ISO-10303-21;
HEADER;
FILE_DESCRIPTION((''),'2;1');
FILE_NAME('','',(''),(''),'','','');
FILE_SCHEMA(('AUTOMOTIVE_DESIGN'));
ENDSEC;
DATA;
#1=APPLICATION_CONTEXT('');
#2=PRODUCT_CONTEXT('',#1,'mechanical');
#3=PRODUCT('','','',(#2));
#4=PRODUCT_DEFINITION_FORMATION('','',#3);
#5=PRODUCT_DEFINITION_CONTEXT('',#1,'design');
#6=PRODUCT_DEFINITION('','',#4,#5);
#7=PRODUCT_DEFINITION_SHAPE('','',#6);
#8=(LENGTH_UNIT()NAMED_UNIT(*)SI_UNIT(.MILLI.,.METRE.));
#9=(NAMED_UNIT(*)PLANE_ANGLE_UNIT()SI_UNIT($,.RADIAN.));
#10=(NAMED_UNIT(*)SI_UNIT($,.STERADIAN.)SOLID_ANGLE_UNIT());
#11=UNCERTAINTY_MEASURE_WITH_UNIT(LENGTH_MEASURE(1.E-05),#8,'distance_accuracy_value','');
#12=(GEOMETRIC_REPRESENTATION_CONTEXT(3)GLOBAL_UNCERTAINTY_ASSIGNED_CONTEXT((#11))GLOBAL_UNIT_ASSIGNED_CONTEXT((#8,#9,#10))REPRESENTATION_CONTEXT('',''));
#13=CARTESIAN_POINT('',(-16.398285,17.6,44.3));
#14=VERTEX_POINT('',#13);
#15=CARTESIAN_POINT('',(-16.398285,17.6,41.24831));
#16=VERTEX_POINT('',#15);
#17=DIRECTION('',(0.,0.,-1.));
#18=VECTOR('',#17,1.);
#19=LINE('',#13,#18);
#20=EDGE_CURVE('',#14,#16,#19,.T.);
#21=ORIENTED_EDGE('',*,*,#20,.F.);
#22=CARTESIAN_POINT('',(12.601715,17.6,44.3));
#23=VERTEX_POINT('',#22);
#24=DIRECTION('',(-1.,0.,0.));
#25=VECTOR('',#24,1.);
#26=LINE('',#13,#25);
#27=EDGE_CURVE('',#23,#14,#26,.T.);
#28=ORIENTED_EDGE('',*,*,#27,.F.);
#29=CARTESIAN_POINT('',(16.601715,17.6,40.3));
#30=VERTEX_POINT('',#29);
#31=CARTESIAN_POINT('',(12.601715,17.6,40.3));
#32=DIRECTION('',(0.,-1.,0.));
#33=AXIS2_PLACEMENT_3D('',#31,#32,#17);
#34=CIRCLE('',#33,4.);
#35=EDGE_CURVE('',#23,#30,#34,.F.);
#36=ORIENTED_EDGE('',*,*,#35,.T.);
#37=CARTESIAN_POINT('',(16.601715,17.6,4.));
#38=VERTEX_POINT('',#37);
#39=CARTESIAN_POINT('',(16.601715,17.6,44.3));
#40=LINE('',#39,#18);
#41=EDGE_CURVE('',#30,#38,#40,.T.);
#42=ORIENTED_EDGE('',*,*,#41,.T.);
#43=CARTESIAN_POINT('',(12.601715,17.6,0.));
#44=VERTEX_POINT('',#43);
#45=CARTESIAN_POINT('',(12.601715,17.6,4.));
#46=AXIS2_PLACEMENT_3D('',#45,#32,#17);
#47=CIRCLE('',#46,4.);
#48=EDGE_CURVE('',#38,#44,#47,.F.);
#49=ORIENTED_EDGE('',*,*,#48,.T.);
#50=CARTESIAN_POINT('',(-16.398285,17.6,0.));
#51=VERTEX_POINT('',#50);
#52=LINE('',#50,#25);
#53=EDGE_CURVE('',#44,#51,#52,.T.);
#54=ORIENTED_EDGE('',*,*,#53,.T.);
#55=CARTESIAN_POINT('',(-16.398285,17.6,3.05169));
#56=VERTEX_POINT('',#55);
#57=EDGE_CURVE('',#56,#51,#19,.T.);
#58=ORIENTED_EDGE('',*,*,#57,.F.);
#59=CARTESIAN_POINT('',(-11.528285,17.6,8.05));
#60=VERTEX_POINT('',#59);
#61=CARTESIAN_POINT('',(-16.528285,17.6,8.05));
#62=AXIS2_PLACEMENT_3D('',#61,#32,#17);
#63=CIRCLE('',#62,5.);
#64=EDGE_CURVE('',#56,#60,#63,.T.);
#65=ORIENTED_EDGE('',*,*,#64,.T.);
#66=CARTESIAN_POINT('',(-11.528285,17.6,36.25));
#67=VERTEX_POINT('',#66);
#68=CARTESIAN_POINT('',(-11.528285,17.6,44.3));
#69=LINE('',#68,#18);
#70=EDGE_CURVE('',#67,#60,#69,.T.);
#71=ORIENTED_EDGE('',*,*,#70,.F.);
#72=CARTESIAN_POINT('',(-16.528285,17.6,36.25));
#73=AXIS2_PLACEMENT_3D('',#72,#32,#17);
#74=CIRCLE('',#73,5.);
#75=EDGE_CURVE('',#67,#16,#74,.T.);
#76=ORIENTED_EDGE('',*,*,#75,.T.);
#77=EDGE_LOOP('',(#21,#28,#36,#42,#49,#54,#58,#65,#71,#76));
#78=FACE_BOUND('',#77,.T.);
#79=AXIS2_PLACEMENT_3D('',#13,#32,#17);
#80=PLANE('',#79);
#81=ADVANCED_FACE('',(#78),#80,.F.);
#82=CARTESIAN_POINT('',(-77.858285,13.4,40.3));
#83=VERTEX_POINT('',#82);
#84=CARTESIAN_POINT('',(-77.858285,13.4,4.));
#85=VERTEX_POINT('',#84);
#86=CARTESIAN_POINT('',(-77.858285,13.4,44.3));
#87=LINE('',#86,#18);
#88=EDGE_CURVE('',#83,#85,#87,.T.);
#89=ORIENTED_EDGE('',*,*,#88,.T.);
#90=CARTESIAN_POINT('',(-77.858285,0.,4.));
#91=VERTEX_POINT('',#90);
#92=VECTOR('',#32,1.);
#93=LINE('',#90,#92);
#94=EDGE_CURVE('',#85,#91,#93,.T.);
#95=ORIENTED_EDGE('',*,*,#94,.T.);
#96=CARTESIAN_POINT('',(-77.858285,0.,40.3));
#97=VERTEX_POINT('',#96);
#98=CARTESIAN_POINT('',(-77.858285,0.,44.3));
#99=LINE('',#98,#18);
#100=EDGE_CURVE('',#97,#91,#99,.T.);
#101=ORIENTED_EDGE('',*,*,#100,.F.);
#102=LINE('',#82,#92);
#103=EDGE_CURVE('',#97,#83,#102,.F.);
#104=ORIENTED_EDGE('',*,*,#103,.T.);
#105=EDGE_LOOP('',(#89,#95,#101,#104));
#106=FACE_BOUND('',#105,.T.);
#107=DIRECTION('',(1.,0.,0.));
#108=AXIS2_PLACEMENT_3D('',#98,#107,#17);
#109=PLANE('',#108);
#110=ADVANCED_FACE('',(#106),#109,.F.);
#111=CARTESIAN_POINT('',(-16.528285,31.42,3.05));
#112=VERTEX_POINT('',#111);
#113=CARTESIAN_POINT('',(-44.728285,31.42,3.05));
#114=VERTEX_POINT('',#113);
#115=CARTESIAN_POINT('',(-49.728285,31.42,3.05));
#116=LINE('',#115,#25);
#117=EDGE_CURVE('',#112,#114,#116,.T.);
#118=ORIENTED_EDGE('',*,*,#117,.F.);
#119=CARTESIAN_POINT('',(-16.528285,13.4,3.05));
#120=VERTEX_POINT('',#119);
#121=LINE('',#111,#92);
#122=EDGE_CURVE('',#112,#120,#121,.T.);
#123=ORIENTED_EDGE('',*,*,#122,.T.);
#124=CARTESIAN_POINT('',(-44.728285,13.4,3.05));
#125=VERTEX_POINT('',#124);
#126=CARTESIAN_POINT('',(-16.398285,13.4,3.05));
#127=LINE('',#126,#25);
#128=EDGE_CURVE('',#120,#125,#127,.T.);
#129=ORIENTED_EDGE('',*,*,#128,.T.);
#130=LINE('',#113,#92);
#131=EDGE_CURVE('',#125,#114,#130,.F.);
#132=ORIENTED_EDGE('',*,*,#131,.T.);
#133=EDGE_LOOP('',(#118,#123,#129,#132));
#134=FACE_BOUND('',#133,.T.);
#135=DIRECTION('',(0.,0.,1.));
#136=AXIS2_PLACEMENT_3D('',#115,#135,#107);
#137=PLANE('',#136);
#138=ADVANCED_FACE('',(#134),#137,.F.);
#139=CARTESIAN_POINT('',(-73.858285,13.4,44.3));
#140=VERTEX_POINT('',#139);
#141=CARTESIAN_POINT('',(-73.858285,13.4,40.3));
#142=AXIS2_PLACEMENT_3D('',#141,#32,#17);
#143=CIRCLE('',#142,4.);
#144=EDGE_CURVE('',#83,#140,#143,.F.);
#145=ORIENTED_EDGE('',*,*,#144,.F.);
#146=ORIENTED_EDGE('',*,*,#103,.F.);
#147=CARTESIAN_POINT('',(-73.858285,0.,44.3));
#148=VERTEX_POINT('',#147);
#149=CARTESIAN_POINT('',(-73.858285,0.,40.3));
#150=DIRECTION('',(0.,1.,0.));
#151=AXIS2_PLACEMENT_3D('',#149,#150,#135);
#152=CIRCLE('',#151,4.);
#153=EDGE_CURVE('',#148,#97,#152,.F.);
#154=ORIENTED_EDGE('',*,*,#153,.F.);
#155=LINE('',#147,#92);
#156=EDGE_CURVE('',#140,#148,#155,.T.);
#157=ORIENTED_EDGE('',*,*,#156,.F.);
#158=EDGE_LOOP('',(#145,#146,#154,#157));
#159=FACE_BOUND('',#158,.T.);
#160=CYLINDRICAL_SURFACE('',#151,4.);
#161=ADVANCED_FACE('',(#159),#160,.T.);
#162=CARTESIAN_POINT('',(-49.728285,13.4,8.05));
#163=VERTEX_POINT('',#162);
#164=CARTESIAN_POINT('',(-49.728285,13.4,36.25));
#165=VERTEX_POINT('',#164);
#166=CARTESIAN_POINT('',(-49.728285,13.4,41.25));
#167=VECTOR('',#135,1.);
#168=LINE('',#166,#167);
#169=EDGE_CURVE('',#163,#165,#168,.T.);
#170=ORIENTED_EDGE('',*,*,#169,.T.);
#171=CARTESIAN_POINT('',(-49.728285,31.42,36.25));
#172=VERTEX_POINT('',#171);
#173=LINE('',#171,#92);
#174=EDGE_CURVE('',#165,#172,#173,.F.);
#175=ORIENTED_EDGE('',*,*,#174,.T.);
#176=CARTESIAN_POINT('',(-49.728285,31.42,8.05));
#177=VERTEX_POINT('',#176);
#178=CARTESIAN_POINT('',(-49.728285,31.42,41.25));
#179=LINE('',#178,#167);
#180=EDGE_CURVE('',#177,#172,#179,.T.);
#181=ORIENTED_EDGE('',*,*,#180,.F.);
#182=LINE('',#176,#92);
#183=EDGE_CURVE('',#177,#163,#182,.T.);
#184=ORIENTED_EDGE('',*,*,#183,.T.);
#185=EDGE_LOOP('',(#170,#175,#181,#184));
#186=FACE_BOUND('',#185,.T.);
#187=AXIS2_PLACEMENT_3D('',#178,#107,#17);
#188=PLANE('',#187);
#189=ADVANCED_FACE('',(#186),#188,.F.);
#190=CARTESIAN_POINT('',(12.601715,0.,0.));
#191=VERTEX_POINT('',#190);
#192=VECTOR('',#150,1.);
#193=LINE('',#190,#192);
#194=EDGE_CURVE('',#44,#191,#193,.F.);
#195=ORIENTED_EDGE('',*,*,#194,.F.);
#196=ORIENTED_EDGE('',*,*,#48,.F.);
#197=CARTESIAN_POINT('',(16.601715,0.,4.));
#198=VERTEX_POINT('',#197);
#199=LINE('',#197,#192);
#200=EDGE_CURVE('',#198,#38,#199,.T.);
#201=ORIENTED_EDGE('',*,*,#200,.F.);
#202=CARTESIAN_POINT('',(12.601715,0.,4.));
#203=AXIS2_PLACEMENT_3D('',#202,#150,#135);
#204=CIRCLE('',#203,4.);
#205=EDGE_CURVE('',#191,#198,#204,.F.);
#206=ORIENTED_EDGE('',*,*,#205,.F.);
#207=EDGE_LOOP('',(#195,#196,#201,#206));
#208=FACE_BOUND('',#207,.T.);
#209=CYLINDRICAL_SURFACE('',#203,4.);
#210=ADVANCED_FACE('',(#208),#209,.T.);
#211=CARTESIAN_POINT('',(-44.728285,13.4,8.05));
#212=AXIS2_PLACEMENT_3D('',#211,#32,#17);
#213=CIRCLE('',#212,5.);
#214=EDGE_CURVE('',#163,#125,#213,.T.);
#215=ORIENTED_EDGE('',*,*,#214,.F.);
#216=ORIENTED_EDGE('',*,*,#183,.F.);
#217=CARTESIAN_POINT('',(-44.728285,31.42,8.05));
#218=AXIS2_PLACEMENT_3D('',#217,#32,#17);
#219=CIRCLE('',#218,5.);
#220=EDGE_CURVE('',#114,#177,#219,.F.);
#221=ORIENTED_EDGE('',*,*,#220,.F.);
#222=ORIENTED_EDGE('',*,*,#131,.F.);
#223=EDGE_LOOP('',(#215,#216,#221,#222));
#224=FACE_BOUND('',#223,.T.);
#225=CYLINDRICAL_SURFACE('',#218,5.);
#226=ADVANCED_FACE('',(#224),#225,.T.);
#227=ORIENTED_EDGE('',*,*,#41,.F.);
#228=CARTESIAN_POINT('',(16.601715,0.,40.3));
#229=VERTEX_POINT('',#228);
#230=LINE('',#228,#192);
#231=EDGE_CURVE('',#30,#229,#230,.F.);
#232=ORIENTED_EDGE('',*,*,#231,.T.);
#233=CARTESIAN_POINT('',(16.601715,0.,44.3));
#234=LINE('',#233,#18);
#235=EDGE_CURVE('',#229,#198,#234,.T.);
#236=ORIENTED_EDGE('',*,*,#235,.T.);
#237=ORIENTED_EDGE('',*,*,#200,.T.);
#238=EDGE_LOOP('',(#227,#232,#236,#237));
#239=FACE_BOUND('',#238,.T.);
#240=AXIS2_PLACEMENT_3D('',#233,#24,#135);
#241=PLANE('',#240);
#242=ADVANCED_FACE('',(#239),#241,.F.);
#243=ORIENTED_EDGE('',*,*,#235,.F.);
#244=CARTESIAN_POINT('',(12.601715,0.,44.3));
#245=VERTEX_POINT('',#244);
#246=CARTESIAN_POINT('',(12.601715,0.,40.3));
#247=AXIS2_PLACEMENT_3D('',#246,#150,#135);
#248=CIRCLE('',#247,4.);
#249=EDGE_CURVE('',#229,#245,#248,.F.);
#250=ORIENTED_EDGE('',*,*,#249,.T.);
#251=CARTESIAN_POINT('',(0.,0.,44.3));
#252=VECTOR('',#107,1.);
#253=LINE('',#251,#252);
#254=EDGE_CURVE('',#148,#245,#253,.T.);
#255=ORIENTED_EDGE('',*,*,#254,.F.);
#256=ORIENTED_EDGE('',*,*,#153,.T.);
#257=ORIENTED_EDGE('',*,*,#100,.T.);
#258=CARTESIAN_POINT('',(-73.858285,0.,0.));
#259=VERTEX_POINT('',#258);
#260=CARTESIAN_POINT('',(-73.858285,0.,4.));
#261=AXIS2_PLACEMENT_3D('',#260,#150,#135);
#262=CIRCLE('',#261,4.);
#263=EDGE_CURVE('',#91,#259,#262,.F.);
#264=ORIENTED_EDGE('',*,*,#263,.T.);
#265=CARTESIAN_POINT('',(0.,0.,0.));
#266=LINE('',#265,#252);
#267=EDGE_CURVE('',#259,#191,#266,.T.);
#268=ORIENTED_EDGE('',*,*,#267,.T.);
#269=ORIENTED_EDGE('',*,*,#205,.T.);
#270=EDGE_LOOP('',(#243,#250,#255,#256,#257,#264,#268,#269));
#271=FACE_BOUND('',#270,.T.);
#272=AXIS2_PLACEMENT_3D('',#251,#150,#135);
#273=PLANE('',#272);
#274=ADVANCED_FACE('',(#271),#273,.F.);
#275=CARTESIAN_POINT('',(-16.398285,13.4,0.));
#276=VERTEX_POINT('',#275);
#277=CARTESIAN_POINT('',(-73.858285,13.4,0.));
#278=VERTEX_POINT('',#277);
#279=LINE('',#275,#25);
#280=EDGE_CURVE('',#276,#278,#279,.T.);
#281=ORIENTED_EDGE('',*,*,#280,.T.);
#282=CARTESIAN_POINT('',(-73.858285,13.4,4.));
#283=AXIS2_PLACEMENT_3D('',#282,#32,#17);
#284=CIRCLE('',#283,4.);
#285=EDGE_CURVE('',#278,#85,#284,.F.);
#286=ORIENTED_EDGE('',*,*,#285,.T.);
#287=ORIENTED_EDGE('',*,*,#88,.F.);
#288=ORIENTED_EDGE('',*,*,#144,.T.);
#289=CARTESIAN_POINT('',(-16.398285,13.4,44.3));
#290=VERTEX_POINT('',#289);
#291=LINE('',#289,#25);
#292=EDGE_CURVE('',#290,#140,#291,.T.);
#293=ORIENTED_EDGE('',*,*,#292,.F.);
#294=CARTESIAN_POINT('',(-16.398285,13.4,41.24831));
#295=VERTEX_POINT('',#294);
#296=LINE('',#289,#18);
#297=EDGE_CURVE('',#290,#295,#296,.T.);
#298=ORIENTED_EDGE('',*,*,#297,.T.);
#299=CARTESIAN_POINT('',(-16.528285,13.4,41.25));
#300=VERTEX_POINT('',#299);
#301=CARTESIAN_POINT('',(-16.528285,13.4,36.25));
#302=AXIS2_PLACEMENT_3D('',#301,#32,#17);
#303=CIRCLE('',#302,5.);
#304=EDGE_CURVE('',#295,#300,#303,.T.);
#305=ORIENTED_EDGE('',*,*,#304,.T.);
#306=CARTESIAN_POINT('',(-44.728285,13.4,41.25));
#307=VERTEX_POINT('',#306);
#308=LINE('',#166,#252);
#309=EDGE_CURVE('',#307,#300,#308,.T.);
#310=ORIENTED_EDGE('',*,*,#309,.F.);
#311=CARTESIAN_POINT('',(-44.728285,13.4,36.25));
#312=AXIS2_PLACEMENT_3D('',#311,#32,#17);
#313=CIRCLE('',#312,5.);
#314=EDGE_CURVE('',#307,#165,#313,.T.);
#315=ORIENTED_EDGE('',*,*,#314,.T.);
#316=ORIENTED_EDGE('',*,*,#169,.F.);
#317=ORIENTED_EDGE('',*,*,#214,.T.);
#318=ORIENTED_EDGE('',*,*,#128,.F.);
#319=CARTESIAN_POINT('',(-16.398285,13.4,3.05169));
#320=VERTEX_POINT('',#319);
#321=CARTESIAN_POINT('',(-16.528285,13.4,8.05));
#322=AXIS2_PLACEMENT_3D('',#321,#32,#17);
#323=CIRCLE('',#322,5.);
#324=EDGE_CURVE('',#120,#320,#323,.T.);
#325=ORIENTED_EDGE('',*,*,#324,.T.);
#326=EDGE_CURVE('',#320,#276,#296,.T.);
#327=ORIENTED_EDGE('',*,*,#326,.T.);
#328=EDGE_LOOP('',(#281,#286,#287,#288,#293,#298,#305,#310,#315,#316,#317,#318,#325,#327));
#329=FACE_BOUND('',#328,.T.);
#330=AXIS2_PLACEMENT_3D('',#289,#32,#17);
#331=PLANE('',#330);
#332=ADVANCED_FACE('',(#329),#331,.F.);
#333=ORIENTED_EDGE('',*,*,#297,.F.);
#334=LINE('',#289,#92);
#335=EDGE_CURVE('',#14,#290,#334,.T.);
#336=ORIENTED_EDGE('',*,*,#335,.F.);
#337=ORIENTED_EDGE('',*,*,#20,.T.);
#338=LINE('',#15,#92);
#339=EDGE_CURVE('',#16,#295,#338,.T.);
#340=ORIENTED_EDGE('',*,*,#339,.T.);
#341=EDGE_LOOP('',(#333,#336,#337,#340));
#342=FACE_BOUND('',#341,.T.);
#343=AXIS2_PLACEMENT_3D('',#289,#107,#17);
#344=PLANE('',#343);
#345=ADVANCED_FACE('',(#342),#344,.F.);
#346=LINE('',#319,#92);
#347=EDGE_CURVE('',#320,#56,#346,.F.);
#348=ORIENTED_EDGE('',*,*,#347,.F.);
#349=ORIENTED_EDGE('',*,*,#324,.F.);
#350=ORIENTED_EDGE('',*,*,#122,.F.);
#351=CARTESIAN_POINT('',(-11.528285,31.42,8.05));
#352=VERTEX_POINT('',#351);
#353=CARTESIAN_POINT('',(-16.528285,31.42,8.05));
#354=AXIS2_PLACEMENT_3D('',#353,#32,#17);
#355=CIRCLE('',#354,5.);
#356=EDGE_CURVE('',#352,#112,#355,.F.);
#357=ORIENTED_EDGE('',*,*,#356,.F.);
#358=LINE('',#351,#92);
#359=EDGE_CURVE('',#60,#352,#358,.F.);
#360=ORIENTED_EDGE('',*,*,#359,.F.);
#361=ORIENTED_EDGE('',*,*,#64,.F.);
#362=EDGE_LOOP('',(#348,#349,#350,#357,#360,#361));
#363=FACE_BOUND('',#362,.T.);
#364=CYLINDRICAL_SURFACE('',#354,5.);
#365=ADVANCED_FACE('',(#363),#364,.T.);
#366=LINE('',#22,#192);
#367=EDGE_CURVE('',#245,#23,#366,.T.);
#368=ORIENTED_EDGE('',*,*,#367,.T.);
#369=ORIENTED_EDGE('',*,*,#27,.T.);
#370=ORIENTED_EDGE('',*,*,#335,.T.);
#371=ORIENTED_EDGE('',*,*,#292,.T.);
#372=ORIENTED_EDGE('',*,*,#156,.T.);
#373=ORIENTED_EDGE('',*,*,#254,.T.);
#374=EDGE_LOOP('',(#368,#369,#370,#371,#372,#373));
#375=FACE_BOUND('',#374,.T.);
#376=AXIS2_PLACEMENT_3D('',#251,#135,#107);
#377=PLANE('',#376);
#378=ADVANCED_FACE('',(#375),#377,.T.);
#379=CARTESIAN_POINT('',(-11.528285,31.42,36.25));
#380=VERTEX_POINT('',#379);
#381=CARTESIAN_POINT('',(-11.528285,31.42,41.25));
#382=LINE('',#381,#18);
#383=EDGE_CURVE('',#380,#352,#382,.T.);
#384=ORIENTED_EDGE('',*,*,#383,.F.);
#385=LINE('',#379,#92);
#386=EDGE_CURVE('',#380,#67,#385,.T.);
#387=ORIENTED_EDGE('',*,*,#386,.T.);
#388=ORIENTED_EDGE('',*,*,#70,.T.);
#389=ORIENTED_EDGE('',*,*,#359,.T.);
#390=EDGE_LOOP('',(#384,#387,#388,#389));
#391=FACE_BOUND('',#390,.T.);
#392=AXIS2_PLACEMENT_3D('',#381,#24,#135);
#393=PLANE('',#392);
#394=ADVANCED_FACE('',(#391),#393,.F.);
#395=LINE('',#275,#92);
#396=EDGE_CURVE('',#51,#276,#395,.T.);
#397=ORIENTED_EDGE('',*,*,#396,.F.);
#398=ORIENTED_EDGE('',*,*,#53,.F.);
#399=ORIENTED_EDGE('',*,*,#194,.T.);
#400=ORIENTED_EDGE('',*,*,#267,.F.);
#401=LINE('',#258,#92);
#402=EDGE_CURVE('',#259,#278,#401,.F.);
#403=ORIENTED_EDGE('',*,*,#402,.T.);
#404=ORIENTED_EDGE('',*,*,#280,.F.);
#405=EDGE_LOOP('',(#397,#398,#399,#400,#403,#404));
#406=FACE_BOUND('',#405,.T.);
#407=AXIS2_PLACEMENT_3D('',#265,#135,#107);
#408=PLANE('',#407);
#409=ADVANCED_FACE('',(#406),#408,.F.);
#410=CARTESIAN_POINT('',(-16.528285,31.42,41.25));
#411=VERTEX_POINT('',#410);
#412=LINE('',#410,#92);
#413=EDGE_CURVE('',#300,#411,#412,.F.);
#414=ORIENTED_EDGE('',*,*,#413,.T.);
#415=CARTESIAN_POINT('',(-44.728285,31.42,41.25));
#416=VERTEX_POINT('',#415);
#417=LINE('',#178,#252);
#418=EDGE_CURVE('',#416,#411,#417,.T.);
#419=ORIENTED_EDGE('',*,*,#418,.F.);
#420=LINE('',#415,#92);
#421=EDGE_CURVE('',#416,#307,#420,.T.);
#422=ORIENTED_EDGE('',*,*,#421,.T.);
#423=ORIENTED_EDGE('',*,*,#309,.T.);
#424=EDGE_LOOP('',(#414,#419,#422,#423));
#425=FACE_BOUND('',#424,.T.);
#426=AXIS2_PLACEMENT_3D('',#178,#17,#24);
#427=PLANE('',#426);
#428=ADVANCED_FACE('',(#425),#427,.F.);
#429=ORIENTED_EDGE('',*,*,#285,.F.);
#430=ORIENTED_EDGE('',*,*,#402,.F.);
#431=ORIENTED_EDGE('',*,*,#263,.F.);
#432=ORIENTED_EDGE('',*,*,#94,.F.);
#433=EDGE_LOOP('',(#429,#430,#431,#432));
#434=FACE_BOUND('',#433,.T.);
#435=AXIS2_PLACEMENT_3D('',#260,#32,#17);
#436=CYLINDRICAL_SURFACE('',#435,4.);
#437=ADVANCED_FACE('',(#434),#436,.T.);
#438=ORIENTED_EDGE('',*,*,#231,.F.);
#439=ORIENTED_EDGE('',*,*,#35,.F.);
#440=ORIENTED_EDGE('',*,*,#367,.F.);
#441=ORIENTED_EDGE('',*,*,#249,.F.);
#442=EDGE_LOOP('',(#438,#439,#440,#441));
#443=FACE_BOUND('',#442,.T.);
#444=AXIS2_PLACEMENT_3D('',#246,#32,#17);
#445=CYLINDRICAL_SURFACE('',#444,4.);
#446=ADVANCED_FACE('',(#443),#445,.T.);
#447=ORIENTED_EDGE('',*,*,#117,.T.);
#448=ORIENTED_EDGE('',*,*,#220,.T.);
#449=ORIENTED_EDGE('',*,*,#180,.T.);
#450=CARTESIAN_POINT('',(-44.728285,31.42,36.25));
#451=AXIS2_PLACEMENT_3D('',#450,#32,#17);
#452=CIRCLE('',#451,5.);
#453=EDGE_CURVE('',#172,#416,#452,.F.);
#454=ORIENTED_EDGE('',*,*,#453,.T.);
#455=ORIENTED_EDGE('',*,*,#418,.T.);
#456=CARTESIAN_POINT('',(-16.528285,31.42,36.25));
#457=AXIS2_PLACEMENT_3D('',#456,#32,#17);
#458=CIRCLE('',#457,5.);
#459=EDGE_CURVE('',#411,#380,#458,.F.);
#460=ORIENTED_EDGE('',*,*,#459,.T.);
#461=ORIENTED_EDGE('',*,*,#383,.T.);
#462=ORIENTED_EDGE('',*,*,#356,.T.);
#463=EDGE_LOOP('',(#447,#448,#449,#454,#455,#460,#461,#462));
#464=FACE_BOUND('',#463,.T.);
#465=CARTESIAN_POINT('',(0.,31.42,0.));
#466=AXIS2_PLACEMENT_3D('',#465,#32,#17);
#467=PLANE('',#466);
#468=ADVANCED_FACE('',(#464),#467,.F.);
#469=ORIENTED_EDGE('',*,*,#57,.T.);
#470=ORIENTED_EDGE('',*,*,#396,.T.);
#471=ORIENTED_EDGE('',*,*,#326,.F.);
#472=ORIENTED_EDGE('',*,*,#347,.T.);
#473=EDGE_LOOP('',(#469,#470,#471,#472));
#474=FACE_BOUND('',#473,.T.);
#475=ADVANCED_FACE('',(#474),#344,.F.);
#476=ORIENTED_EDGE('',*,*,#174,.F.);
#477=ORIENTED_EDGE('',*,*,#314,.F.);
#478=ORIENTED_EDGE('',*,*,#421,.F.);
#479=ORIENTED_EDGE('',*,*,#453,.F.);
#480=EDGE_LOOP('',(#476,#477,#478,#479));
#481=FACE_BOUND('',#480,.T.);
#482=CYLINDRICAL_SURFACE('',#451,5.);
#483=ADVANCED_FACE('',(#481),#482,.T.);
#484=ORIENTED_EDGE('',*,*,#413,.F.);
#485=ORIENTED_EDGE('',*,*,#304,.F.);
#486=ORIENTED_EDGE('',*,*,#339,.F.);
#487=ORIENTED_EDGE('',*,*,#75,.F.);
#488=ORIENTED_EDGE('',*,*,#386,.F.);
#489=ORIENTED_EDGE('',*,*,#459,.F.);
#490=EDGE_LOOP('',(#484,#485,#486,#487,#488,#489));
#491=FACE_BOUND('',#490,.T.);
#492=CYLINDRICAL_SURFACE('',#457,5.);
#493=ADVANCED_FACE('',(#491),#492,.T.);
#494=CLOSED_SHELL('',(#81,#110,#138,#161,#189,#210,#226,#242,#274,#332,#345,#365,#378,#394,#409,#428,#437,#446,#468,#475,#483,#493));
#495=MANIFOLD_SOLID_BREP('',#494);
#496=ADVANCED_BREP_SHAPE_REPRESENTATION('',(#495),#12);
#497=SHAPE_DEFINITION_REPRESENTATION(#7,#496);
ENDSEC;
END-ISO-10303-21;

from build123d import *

# Parameters (mm, degrees)
BOSS_EXTRUDE1_DEPTH = 44.3
SKETCH2_W           = 38.2
SKETCH2_H           = 38.2
BOSS_EXTRUDE2_DEPTH = 18.02
FILLET1_R           = 5
FILLET2_R           = 4


with BuildPart() as part:
    # Sketch1 → Boss-Extrude1 (new body)
    with BuildSketch(Plane.XY):
        Polygon((0, 0), (-77.858285242, 0), (-77.858285242, 13.4), (-16.398285242, 13.4), (-16.398285242, 17.6), (16.601714758, 17.6), (16.601714758, 0), align=None)
    extrude(amount=BOSS_EXTRUDE1_DEPTH)

    # Sketch2 → Boss-Extrude2 (add)
    with BuildSketch(Plane(origin=(0, 13.4, 0), x_dir=(1, 0, 0), z_dir=(0, 1, 0))):
        with Locations((-30.628285242, -22.15)):
            Rectangle(SKETCH2_W, SKETCH2_H)
    extrude(amount=BOSS_EXTRUDE2_DEPTH)

    # Fillet1
    fillet1_edges = [part.edges().sort_by_distance(p)[0] for p in [
        (-49.728285242, 22.41, 3.05),
        (-11.528285242, 24.51, 3.05),
        (-11.528285242, 24.51, 41.25),
        (-49.728285242, 22.41, 41.25),
    ]]
    fillet(fillet1_edges, radius=FILLET1_R)

    # Fillet2
    fillet2_edges = [part.edges().sort_by_distance(p)[0] for p in [
        (-77.858285242, 6.7, 44.3),
        (-77.858285242, 6.7, 0),
        (16.601714758, 8.8, 44.3),
        (16.601714758, 8.8, 0),
    ]]
    fillet(fillet2_edges, radius=FILLET2_R)


solid = part.part
